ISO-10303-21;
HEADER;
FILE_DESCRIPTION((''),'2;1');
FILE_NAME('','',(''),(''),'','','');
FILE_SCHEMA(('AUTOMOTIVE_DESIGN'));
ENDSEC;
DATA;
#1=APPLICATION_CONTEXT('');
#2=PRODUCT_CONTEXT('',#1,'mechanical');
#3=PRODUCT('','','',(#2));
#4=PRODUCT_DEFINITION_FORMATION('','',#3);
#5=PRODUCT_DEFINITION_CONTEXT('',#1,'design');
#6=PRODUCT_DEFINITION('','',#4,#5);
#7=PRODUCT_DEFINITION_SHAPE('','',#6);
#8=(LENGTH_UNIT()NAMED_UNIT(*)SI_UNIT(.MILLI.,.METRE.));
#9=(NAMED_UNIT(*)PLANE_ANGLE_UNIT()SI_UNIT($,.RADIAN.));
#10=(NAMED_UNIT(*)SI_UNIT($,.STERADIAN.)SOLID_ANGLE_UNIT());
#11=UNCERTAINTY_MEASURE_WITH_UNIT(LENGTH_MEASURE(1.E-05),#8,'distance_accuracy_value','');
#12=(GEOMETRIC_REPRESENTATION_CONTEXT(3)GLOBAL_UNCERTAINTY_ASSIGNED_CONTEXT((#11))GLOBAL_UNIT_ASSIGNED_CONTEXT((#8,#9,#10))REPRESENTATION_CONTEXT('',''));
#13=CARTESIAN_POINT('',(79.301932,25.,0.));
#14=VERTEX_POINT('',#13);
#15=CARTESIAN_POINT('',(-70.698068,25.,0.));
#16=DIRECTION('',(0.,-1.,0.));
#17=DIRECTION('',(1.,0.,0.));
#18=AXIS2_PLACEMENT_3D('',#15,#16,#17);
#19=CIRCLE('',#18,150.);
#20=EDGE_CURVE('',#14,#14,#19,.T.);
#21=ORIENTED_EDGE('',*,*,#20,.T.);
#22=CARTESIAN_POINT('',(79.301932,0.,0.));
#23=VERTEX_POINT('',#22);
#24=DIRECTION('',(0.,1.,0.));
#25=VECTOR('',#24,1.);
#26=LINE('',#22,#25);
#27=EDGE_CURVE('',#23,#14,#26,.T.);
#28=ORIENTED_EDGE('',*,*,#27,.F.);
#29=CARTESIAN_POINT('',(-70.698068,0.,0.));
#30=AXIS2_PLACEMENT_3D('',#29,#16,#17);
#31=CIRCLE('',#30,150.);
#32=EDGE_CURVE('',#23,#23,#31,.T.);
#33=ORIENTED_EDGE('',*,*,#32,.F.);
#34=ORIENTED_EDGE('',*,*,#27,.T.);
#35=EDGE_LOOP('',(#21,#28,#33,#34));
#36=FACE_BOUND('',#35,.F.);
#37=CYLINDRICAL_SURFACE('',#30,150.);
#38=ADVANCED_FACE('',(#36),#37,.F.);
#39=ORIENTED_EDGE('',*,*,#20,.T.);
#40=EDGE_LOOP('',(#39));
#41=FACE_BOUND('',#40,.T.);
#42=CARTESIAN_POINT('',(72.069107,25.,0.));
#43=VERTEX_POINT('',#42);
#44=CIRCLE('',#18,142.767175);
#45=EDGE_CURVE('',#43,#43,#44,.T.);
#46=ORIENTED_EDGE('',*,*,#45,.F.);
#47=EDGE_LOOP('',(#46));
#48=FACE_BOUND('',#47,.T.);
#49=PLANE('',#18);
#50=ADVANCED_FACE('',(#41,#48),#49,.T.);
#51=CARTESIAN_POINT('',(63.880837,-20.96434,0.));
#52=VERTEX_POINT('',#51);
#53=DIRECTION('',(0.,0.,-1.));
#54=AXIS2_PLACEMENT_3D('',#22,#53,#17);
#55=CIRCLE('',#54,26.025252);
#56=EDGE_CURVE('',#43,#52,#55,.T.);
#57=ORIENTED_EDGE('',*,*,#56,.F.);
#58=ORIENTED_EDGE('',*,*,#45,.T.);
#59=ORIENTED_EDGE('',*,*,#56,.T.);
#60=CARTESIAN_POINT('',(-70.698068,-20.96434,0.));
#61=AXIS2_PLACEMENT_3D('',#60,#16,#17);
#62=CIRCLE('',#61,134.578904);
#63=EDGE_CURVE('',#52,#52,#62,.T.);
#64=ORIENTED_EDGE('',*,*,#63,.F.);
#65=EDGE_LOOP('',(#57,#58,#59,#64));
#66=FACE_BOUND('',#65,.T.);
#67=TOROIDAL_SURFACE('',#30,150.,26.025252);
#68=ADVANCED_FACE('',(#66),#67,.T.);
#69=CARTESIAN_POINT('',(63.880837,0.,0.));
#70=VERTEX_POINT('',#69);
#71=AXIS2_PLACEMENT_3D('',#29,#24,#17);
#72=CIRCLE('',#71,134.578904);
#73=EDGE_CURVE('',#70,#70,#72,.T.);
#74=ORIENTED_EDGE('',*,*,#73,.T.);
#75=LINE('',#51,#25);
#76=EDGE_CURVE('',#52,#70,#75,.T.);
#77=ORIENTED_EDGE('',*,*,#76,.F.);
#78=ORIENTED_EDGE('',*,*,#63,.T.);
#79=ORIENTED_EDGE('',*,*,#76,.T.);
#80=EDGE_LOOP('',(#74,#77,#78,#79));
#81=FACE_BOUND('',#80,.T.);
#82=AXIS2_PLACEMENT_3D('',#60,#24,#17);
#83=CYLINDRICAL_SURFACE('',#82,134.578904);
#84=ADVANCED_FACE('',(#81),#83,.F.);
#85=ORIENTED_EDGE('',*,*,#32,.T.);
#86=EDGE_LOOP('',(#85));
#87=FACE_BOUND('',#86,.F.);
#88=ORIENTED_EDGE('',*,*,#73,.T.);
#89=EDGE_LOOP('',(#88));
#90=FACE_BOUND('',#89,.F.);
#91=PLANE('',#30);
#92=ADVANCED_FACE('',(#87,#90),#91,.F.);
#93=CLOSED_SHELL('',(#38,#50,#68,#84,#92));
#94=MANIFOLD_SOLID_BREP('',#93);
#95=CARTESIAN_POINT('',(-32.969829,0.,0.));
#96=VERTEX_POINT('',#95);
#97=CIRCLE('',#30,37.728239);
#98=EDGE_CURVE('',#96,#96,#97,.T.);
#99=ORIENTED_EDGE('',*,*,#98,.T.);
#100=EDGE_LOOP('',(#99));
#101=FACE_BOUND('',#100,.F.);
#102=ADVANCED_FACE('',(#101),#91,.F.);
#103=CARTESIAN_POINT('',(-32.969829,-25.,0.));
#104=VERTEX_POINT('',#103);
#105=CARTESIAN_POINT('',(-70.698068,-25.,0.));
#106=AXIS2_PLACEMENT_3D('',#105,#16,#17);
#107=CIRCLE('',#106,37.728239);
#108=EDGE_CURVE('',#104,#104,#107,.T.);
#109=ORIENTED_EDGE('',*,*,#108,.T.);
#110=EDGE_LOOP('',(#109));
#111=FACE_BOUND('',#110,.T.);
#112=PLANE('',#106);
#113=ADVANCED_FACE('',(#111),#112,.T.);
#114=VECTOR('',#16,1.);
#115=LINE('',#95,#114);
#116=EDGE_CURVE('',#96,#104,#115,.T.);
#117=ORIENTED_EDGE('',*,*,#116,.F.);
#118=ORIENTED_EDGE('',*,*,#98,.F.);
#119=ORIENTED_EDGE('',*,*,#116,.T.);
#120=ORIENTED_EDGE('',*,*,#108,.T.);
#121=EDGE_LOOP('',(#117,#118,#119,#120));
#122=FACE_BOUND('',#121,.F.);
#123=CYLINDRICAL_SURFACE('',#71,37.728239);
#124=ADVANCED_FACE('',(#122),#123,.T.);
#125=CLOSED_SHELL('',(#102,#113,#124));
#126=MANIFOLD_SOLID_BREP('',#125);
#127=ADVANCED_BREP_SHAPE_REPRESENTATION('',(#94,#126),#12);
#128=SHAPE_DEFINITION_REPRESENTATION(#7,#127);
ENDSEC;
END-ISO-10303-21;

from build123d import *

# Parameters (mm, degrees)
F1_R     = 9.2512035182
F4_R     = 150
F4_R_2   = 37.7282385667
F7_DEPTH = 25
F8_DEPTH = 25


with BuildPart() as f2:
    # F2: sweep along a path in F0
    with BuildLine(Plane.XZ) as f2_path:
        ThreePointArc((-53.8952867203, 15.9109570086), (0, -56.1948439235), (53.8952867203, 15.9109570086))
    # F1 (on Top) → F2 (sweep)
    with BuildSketch(Plane.XY):
        with Locations((-56.1948439235, 0)):
            Circle(F1_R)
    sweep(path=f2_path.line)


with BuildPart() as f6:
    # F6: sweep along a path in F4
    with BuildLine(Plane.XZ) as f6_path:
        CenterArc((-70.6980675459, 0), 150, 0, 360)
    # F5 (on Top) → F6 (sweep)
    with BuildSketch(Plane.XY):
        with BuildLine():
            Line((-205.2769718125, -20.9643404032), (-205.2769718125, 20.9643404032))
            ThreePointArc((-205.2769718125, 20.9643404032), (-246.7233199397, 0), (-205.2769718125, -20.9643404032))
        make_face()
    sweep(path=f6_path.line)

    # F4 (on Front) → F7 (cut)
    with BuildSketch(Plane.XZ):
        with Locations((-70.6980675459, 0)):
            Circle(F4_R)
        with Locations((-70.6980675459, 0)):
            Circle(F4_R_2, mode=Mode.SUBTRACT)
    extrude(amount=-F7_DEPTH, mode=Mode.SUBTRACT)


with BuildPart() as f8:
    # F4 (on Front) → F8 (new body)
    with BuildSketch(Plane.XZ):
        with Locations((-70.6980675459, 0)):
            Circle(F4_R_2)
    extrude(amount=F8_DEPTH)


solid = Compound([f6.part, f8.part])
